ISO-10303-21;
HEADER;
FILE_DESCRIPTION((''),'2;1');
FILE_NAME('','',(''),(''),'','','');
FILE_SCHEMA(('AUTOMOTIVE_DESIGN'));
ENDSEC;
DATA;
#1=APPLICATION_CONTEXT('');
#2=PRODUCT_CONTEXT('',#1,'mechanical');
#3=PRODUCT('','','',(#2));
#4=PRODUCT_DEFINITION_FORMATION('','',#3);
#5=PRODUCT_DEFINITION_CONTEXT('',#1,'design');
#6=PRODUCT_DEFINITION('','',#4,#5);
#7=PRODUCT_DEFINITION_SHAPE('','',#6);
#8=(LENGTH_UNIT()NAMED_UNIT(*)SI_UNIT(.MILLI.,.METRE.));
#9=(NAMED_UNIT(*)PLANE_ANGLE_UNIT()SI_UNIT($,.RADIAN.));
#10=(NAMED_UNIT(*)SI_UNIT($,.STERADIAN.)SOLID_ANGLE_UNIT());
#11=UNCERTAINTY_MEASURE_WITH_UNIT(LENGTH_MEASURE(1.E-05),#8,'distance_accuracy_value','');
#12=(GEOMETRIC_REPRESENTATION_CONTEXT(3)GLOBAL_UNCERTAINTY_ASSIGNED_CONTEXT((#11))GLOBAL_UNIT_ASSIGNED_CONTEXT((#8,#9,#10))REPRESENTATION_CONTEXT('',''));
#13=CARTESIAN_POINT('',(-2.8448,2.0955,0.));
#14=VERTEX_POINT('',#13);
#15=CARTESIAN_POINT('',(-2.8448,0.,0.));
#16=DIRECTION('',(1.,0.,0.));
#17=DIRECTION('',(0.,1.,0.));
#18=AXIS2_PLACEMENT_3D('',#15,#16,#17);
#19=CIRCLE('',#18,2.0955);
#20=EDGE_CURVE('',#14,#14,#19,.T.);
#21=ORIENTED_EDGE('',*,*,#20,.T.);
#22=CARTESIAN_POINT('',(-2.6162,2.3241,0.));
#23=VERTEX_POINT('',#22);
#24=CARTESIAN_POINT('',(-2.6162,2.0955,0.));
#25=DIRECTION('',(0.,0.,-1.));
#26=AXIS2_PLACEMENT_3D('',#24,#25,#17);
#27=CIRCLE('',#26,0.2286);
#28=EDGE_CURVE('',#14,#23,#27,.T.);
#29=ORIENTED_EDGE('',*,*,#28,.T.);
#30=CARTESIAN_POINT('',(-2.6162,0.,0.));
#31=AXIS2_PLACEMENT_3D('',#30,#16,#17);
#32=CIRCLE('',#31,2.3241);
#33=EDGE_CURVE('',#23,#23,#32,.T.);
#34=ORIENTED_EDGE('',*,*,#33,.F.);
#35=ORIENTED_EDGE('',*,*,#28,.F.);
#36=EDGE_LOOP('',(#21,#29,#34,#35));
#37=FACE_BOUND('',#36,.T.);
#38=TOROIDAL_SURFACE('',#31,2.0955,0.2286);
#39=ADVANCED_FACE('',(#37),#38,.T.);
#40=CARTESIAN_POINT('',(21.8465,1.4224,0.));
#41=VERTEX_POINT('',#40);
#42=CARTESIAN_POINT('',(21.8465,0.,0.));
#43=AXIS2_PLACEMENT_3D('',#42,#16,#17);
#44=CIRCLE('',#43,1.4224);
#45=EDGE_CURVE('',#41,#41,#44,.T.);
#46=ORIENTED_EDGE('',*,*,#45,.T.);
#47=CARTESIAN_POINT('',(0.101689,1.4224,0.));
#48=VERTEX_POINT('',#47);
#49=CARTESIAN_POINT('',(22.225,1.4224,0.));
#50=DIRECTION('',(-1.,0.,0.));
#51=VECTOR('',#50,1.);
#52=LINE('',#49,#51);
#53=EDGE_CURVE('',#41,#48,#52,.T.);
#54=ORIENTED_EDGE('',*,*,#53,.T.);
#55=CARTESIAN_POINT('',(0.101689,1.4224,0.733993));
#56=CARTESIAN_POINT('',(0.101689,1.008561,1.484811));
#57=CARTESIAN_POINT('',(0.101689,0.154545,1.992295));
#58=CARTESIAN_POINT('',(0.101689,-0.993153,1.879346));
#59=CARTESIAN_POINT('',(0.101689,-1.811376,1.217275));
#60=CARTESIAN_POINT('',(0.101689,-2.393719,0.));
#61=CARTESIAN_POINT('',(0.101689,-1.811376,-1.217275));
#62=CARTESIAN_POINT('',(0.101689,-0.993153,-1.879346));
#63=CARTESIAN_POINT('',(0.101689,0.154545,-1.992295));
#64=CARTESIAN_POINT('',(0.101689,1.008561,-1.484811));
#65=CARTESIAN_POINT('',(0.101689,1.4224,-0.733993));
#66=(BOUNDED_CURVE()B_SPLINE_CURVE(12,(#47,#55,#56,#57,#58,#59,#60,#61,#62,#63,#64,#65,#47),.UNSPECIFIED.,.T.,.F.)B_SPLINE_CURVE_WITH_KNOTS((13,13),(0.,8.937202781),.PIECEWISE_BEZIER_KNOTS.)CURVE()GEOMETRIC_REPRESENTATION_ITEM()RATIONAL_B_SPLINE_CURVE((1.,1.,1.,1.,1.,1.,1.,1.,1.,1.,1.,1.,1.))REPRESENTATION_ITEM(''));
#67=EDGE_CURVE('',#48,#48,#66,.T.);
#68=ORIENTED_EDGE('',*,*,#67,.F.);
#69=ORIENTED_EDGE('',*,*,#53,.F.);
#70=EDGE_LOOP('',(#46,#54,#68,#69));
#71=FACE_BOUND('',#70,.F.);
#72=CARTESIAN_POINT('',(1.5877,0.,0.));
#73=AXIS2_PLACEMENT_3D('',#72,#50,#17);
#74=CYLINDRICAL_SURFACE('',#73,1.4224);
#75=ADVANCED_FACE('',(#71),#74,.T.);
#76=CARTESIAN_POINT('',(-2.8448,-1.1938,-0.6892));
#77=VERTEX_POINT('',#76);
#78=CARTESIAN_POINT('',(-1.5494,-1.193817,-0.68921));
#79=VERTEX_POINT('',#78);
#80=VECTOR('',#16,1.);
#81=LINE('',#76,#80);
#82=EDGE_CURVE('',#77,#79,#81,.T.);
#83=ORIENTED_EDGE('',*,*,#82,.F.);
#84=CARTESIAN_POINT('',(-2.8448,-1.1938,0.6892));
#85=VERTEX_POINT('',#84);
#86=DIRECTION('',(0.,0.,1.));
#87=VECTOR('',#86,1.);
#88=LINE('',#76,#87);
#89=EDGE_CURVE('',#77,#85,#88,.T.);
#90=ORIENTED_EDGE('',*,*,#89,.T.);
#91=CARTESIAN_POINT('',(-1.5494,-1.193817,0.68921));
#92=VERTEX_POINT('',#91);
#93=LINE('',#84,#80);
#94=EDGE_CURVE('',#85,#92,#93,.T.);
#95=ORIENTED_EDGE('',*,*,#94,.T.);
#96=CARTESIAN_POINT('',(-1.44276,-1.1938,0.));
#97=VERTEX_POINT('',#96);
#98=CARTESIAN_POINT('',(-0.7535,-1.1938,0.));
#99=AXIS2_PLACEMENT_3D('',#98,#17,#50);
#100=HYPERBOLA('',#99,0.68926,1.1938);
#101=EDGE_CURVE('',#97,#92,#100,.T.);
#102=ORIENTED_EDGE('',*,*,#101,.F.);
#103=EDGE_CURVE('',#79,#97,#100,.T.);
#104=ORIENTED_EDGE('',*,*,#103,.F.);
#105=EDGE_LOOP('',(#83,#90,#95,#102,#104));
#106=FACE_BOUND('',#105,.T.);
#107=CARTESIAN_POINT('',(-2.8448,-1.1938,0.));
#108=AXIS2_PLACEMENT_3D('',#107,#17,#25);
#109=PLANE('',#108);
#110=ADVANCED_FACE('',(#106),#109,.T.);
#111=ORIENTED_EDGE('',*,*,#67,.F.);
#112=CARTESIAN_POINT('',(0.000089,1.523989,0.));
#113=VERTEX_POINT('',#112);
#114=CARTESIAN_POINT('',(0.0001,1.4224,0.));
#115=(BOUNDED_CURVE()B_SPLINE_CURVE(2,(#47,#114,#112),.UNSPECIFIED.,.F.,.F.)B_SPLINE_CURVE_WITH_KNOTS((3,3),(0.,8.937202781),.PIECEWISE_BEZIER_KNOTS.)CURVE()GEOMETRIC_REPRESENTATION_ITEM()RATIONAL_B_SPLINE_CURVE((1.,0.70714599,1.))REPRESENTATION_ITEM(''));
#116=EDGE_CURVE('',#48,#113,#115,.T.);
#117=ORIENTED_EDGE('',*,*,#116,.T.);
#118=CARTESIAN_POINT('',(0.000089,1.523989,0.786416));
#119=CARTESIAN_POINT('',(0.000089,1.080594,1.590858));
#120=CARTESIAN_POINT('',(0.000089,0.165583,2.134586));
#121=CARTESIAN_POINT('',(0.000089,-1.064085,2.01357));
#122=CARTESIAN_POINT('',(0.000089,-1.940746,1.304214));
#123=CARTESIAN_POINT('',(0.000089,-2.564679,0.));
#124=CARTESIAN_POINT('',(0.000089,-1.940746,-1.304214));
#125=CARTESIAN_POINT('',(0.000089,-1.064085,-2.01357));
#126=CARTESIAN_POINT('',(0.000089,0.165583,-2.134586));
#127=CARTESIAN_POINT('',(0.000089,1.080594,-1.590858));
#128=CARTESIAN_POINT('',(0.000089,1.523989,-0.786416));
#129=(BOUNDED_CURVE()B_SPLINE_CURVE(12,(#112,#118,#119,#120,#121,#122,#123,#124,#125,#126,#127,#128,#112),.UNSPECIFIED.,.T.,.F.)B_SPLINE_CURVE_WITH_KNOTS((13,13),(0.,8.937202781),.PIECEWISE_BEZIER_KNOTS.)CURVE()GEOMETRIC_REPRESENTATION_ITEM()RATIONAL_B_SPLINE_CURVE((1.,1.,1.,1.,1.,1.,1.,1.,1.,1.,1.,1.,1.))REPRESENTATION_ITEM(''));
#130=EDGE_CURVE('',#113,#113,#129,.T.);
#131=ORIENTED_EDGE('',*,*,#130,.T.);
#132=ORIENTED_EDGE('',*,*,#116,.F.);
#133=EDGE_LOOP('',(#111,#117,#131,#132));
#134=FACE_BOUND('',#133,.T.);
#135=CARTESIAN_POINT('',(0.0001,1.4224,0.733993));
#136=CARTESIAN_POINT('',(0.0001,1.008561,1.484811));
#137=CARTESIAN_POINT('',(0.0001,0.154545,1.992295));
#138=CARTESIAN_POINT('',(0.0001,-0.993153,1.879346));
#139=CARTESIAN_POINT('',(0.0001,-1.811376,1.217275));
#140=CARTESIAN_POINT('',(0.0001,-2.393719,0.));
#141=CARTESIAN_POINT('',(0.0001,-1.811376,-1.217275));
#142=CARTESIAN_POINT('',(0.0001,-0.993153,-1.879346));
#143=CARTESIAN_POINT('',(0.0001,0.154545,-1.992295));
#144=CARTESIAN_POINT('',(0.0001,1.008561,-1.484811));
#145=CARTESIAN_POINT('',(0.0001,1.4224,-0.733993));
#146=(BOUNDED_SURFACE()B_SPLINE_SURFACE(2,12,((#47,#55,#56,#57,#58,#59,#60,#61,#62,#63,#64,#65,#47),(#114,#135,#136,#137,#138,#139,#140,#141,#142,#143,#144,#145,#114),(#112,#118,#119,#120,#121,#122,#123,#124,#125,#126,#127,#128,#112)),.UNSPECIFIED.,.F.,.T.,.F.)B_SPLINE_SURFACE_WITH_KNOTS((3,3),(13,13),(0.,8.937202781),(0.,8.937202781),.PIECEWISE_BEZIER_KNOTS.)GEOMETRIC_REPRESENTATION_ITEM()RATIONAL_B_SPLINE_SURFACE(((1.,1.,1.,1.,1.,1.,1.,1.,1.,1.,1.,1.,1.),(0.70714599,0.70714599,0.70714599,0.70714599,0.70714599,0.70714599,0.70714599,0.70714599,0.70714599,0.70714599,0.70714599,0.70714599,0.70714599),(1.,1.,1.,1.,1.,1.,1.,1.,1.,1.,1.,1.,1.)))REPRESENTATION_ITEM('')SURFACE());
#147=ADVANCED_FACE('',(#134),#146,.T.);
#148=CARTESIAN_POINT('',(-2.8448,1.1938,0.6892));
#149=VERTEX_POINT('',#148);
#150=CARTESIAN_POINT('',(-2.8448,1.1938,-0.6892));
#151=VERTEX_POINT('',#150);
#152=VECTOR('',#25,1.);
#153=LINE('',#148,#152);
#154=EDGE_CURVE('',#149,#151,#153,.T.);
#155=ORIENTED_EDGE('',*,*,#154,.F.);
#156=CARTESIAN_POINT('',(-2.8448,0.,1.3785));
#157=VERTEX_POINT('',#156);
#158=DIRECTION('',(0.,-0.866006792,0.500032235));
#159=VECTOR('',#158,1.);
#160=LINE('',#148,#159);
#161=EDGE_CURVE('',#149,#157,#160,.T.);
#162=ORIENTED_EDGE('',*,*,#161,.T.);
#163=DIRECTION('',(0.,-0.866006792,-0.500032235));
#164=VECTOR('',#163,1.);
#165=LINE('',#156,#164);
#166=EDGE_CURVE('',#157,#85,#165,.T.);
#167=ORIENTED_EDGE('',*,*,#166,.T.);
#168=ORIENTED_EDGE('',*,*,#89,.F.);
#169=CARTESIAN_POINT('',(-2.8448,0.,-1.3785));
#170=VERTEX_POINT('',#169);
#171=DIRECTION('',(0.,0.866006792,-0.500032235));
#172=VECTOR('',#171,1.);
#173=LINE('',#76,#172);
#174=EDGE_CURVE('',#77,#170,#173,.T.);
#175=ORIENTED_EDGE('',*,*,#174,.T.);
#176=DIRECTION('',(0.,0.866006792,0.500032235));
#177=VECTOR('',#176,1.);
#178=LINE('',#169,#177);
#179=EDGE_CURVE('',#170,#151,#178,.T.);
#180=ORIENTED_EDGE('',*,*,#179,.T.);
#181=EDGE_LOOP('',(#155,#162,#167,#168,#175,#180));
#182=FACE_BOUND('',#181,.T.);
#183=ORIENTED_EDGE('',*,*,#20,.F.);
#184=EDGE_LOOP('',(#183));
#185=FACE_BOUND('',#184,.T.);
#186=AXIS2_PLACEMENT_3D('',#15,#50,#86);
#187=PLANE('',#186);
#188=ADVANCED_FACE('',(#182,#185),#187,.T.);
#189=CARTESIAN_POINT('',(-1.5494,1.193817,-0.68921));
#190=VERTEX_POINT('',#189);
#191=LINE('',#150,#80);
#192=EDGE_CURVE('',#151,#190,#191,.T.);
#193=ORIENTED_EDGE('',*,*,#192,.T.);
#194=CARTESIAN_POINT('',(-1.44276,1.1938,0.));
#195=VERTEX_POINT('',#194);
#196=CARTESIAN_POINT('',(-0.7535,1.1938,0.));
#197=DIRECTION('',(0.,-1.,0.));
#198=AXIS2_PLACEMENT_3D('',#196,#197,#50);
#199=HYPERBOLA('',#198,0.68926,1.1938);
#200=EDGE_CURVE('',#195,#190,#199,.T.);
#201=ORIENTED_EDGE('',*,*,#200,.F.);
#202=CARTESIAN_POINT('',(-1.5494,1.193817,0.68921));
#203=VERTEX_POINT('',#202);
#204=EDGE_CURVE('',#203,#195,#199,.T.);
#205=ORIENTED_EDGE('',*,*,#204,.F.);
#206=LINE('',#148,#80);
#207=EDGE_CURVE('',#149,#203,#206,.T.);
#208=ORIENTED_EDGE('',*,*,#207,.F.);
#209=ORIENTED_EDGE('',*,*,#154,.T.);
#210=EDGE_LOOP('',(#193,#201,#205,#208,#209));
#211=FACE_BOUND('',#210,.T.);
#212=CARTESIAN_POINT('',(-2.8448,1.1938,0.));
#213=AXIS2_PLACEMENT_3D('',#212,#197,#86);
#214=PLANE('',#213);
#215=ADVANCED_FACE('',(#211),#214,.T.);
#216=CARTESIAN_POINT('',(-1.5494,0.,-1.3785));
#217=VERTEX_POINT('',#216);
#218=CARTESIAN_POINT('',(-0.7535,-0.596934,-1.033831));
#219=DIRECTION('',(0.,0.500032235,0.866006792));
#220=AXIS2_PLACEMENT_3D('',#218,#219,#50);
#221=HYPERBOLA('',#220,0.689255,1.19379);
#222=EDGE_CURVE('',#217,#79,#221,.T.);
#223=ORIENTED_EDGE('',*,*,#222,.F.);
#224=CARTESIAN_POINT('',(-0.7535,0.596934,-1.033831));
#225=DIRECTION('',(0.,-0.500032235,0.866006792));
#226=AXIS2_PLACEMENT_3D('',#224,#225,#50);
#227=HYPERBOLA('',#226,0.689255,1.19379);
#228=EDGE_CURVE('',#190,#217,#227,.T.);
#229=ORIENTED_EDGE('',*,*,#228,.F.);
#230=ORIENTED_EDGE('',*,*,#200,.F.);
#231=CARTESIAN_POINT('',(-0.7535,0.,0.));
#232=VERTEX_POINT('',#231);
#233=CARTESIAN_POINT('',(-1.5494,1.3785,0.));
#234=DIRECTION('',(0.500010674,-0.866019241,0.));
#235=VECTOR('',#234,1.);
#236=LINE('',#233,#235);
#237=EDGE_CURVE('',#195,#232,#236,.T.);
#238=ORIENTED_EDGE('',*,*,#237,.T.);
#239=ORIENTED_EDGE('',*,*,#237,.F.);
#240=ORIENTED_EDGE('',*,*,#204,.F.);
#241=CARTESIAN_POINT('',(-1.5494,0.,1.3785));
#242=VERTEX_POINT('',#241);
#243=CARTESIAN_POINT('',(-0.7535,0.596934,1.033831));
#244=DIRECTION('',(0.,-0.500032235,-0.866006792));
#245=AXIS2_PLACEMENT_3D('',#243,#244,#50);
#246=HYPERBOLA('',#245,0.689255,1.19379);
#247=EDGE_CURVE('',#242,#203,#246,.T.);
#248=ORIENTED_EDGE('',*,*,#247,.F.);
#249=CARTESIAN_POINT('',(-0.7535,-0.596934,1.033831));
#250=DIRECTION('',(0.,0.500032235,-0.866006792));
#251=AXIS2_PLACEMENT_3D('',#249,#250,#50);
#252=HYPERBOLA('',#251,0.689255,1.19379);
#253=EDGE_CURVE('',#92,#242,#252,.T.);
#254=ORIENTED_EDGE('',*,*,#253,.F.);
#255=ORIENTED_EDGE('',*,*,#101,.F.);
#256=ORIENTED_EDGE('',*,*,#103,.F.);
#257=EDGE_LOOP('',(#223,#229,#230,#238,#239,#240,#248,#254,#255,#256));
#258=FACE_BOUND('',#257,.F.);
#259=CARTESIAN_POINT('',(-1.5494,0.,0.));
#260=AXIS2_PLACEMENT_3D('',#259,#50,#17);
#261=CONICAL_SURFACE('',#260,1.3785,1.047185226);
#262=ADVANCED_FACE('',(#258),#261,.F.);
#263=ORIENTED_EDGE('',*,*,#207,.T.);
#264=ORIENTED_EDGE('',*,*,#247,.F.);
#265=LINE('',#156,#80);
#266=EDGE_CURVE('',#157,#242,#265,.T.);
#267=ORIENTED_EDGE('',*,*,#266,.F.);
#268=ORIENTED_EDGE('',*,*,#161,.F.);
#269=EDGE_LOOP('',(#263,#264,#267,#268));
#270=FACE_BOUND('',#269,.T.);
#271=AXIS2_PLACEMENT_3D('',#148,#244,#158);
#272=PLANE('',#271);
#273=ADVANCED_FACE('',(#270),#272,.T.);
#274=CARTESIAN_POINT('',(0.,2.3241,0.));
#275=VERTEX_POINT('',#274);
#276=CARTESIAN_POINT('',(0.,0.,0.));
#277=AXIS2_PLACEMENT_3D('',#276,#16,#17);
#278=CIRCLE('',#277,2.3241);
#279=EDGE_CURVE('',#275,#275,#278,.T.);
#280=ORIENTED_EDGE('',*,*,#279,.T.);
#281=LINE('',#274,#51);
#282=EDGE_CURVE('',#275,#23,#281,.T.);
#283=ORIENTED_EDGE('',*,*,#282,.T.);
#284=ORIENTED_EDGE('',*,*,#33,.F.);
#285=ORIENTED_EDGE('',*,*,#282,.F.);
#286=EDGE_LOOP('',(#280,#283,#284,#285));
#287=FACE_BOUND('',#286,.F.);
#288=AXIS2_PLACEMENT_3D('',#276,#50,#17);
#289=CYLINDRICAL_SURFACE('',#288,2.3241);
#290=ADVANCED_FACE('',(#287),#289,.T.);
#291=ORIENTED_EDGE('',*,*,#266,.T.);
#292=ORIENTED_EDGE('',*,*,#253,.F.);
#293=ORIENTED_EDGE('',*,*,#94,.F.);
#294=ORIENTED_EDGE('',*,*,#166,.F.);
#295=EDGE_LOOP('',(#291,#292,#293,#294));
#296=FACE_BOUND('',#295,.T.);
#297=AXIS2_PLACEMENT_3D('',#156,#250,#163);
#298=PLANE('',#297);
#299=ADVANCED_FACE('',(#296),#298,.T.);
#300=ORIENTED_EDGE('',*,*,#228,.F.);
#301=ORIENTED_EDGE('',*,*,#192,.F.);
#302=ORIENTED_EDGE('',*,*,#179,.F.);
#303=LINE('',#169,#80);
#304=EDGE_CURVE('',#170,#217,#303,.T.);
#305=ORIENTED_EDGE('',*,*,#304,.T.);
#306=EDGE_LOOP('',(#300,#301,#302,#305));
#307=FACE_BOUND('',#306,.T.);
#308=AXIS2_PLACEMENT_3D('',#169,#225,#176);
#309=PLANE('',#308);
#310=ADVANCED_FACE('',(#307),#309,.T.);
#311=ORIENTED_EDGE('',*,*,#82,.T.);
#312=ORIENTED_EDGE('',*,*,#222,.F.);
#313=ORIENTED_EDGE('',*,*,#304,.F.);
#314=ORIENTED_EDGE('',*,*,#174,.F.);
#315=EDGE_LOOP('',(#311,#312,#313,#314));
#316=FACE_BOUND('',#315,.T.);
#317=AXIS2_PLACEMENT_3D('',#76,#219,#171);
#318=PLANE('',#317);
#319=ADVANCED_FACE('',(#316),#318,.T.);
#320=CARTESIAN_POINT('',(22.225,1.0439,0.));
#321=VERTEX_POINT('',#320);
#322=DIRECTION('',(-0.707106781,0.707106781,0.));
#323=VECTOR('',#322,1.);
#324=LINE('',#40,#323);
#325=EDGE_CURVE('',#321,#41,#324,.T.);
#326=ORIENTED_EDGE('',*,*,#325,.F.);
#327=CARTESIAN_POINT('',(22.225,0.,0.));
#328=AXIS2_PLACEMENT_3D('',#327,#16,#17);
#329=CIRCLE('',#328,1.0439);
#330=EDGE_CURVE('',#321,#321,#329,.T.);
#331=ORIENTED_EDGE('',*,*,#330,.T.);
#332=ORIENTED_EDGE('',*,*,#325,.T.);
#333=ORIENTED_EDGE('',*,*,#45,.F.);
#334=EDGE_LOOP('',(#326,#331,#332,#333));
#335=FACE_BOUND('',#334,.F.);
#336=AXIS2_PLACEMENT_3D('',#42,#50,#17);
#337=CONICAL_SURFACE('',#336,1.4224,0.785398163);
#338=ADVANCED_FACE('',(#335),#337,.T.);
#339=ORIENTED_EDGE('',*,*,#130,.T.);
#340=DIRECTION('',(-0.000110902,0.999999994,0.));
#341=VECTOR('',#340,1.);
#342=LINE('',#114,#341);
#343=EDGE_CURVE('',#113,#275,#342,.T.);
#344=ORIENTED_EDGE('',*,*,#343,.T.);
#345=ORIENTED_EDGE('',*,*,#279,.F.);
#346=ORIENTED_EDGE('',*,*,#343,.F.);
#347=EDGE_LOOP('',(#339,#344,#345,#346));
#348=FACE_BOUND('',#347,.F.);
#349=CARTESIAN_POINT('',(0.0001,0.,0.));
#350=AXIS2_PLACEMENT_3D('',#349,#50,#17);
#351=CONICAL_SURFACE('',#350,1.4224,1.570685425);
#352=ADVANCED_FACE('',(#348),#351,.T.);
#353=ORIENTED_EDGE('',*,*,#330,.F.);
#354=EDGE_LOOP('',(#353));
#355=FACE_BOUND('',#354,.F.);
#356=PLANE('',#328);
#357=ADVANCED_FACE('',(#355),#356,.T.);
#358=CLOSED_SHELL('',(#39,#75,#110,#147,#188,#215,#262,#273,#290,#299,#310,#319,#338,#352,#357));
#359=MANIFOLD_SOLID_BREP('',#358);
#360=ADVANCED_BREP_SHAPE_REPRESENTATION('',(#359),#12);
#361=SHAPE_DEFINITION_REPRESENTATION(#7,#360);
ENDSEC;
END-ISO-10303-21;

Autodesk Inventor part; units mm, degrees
ref_plane "YZ Plane" through (0, 0, 0) normal (1, 0, 0) x (0, 1, 0)
ref_plane "XZ Plane" through (0, 0, 0) normal (0, 1, 0) x (-1, 0, 0)
sketch "Sketch1" plane through (0, 0, 0) normal (0, 0, 1) x (1, 0, 0)
  line L0 (-0.7535, 0) -> (22.225, 0)
  line L1 (22.225, 0) -> (22.225, 1.4224)
  line L2 (22.225, 1.4224) -> (1.5877, 1.4224)
  line L3 (1.5877, 1.4224) -> (0.0001, 1.4224)
  line L4 (0.0001, 1.4224) -> (0, 1.4224)
  line L5 (0, 1.4224) -> (0, 2.3241)
  line L6 (0, 2.3241) -> (-2.8448, 2.3241)
  line L7 (-2.8448, 2.3241) -> (-2.8448, 1.3785)
  line L8 (-2.8448, 1.3785) -> (-1.5494, 1.3785)
  line L9 (-1.5494, 1.3785) -> (-0.7535, 0)
  line L10 (-7.8588, 0) -> (27.239, 0) projected
  line L11 (0, -0.4648) -> (0, 2.7889) projected
  line L12 (1.5877, 1.4224) -> (0, 1.4224) construction
  dimension "d1" = 20.6373
  dimension "d2" = 1.5876
  dimension "d3" = 2.8448
  dimension "d4" = 1.2954
  dimension "d5" = 60
  dimension "d6" = 2.8448
  dimension "d7" = 2.8448
  dimension "d8" = 2.757
  dimension "d9" = 4.6482
  dimension "d26" = 22.225
revolve "Body" add sketch "Sketch1" angle 360 about axis through (-0.7535, 0, 0) along (1, 0, 0)
sketch "Sketch2" plane through (-2.8448, 0, 0) normal (-1, 0, 0) x (0, 0, 1)
  circle A0 centre (0, 0) radius 1.3785 projected
  line L0 (0, -3.2537) -> (0, 3.2537) projected
  line L1 (-3.2537, 0) -> (3.2537, 0) projected
  line L2 (1.3785, 0) -> (0.6892, -1.1938)
  line L3 (0.6892, -1.1938) -> (-0.6892, -1.1938)
  line L4 (-0.6892, -1.1938) -> (-1.3785, 0)
  line L5 (-1.3785, 0) -> (-0.6892, 1.1938)
  line L6 (-0.6892, 1.1938) -> (0.6892, 1.1938)
  line L7 (0.6892, 1.1938) -> (1.3785, 0)
extrude "Slot" add sketch "Sketch2" against normal up to next contours L7 A0 | A0 L2 | L6 L0 A0 | A0 L0 L3 | L0 L6 A0 | A0 L3 L0 | L4 A0 | A0 L5
fillet "Fillet1" radius 0.2286 1 edges at (-2.8448, -2.3241, 0)
thread "Thread" size "4-40 UNC" class "2A" standard "ANSI Unified Screw Threads" length 20.6373
chamfer "Chamfer1" distance 0.3785 distance2 0.3785 1 edges at (22.225, -1.4224, 0) measured on face at (22.225, -0.0669, -0.3902)
ref_plane "Work Plane1" through (29, 0, 0) normal (0, -1, 0) x (1, 0, 0)
fillet "Fillet2" radius 0.1016 1 edges at (0.0001, -1.4224, 0)
equation "\"d1\" = GEL"
equation "\"d3\" = KOH"
equation "\"d4\" = INTI"
equation "\"d6\" = GD"
equation "\"d7\" = BDM"
equation "\"d8\" = 1.1547 * SW"
equation "\"d9\" = KOD"
equation "\"d26\" = NLG"
equation "\"d30\" = R"
equation "\"d17\" = RR"
equation "\"d13\" = GEL"
equation "\"d15\" = -0.5 * SPD + 0.5 * GD"
equation "\"d16\" = GUL"
equation "\"GD\" = 2.8448"
equation "\"NLG\" = 22.225"
equation "\"GEL\" = 20.6373"
equation "\"KOD\" = 4.6482"
equation "\"KOH\" = 2.8448"
equation "\"INTI\" = 1.2954"
equation "\"GAL\" = 1.5875"
equation "\"GUL\" = 0.37846"
equation "\"BDM\" = 2.8448"
equation "\"SW\" = 2.3876"
equation "\"RR\" = 0.2286"
equation "\"SPD\" = 2.08788"
equation "\"R\" = 0.1016"
equation "\"PHH\" = 0.127"
equation "\"GD1\" = SPD"
equation "\"THREADDIA\" = 2.8448"
equation "\"FAWI\" = 45deg"
equation "\"KOH1\" = 2.5654"
equation "\"NND\" = 2.8448"
equation "\"TOA\" = 30deg"
equation "\"E0\" = 1.155 * SW"
properties part number "ANSI B18.3 - No. 4 - 40 UNC - 7/8 HS HCS"
